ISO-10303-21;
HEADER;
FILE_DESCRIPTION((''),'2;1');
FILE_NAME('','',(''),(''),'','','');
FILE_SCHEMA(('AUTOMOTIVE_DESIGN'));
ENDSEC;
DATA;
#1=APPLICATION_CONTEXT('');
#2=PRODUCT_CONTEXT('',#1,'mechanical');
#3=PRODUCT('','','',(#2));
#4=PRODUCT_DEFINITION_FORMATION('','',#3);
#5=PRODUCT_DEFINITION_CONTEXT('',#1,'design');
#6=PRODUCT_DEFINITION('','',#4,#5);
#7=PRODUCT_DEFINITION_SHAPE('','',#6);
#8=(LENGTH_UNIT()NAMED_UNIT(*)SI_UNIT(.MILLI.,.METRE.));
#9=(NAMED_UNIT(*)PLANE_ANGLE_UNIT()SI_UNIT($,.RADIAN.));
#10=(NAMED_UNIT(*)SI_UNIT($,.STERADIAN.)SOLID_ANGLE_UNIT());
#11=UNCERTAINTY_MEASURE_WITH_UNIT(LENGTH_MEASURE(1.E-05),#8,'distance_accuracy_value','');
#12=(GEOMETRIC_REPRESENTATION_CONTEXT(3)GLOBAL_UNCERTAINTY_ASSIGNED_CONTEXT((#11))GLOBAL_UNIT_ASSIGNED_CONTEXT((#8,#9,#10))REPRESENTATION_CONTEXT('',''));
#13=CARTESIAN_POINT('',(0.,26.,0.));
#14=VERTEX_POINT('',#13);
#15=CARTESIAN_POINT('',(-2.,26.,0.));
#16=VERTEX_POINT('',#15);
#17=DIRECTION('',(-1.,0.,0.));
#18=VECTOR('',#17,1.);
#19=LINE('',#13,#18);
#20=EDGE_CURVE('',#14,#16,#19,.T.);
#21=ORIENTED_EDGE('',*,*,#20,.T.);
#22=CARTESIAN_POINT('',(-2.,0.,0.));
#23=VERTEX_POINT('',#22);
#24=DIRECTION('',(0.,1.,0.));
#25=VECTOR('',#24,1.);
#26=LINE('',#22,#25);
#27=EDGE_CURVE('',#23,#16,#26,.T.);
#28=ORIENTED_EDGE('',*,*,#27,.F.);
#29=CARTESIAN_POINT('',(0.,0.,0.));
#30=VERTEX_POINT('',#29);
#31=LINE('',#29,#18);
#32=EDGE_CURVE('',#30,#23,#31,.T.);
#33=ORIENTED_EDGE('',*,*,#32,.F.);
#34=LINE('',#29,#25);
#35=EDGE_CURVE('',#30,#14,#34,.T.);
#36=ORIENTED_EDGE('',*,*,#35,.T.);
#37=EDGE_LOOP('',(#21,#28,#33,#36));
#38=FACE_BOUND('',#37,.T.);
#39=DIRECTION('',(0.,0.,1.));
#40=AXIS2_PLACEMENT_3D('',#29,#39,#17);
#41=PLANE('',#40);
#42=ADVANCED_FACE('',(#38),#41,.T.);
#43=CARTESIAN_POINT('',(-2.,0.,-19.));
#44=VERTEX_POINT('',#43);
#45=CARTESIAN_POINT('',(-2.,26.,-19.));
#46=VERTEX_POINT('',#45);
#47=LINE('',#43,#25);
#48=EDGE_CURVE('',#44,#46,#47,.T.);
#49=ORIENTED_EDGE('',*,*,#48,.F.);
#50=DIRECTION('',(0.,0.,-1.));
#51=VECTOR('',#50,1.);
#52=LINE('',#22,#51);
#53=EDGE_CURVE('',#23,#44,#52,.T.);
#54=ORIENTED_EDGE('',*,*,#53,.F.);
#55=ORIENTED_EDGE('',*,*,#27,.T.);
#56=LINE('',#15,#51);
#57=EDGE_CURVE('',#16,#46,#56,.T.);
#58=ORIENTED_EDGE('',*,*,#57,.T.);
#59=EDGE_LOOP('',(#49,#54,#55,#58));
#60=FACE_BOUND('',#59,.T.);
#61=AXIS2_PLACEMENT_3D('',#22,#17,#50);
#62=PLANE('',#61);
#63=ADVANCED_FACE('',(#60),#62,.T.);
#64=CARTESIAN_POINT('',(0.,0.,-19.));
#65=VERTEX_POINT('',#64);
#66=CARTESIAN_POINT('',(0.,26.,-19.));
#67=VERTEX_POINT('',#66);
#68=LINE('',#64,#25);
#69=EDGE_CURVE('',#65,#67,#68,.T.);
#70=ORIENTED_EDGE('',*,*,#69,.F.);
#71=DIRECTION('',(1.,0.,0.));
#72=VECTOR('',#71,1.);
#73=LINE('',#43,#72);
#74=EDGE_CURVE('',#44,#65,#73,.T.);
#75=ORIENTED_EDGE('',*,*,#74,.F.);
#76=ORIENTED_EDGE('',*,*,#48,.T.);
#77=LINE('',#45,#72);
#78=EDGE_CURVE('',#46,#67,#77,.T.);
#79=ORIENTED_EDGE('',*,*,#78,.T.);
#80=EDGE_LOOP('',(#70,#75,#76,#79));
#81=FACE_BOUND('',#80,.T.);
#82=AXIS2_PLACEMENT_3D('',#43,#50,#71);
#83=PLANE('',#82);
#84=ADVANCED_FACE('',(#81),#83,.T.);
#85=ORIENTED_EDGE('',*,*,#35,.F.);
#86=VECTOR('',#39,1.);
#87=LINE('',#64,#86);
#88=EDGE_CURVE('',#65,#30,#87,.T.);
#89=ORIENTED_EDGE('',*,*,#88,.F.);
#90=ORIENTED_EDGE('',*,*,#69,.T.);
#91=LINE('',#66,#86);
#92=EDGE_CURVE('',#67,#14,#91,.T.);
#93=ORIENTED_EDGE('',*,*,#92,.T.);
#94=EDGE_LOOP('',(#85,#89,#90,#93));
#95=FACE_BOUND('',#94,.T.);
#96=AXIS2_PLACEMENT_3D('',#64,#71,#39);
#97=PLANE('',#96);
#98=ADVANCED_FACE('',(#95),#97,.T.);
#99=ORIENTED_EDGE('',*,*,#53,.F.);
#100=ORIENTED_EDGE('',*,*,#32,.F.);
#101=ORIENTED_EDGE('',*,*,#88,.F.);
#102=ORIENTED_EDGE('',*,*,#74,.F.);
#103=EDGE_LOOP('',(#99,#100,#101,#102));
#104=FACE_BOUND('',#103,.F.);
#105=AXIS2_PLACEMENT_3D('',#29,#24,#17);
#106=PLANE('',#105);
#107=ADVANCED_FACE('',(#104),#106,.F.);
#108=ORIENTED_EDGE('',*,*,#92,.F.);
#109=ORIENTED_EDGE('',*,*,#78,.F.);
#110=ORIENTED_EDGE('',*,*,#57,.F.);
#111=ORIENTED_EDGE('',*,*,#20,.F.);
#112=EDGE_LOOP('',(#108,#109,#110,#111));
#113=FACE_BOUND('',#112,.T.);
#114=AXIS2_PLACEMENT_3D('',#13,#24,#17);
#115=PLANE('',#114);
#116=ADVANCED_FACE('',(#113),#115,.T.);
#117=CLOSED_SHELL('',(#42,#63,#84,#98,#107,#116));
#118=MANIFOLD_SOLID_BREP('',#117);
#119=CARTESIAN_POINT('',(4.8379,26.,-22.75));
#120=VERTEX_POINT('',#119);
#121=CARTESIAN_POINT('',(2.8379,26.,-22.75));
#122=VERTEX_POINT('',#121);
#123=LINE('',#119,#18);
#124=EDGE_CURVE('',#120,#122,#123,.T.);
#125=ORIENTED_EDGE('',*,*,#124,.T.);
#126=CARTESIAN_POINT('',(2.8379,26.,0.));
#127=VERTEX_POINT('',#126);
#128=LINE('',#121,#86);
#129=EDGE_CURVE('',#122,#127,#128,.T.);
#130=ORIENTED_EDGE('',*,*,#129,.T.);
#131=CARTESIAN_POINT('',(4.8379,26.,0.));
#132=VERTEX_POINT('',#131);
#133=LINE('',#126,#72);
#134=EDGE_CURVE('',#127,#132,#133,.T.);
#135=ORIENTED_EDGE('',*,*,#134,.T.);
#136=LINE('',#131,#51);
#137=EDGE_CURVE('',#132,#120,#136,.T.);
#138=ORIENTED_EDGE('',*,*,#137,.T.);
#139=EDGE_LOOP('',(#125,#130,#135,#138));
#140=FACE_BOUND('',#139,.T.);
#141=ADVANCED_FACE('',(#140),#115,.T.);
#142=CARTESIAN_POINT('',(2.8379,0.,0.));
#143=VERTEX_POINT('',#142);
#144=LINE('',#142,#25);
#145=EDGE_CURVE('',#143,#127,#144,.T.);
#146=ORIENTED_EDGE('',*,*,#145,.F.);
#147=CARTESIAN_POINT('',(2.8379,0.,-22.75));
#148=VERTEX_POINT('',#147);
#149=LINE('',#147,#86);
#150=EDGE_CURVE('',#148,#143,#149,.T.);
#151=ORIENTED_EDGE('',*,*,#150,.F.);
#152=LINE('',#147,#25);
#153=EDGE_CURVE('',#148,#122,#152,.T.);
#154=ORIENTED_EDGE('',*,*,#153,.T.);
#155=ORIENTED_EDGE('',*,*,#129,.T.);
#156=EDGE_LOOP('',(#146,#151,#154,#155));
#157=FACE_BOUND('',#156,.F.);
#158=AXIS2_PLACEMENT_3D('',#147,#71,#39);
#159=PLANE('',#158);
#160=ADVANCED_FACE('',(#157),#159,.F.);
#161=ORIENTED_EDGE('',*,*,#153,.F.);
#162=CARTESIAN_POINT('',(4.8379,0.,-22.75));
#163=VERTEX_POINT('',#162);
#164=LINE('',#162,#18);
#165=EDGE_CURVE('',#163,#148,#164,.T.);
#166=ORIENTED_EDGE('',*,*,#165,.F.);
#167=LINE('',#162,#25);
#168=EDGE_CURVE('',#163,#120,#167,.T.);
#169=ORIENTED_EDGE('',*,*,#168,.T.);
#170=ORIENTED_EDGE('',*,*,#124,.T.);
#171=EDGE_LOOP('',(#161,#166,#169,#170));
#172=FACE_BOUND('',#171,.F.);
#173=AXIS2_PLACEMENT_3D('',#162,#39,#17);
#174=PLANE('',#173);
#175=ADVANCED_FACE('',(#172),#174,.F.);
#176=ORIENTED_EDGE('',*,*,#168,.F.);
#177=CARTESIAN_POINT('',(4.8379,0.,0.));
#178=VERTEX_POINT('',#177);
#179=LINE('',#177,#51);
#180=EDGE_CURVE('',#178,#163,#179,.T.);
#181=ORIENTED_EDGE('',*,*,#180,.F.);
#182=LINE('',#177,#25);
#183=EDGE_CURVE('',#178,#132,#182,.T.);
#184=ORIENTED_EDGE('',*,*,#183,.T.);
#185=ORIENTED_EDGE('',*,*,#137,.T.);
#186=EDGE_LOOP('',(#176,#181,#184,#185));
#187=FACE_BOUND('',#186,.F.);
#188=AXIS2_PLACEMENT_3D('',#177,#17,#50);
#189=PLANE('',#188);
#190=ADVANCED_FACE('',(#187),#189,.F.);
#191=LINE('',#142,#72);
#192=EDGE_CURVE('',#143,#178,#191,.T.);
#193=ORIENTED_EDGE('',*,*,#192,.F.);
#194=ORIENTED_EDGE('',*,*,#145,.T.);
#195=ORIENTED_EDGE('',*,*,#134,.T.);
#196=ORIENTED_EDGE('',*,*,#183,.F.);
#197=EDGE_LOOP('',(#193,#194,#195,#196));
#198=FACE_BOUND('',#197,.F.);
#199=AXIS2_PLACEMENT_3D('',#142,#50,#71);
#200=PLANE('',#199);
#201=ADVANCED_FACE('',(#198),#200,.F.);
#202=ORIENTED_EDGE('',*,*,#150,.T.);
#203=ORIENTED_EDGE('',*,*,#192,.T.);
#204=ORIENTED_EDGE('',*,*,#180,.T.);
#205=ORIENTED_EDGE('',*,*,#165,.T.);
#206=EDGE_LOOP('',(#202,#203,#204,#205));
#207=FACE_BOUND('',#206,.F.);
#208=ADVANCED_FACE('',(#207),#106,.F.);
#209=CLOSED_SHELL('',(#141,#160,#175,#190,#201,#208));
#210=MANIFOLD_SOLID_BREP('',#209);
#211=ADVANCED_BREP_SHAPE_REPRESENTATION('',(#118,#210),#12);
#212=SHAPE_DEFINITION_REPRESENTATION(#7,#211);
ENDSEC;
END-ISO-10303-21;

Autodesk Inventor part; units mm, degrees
ref_plane "YZ Plane" through (0, 0, 0) normal (1, 0, 0) x (0, 1, 0)
ref_plane "XZ Plane" through (0, 0, 0) normal (0, 1, 0) x (-1, 0, 0)
ref_plane "XY Plane" through (0, 0, 0) normal (0, 0, 1) x (1, 0, 0)
sketch "Sketch1" plane through (0, 0, 0) normal (0, 1, 0) x (-1, 0, 0)
  line L0 (0, 0) -> (2, 0)
  line L1 (2, 0) -> (2, -19)
  line L2 (2, -19) -> (0, -19)
  line L3 (0, -19) -> (0, 0)
  line L4 (-2.8379, 0) -> (-4.8379, 0)
  line L5 (-4.8379, 0) -> (-4.8379, -22.75)
  line L6 (-4.8379, -22.75) -> (-2.8379, -22.75)
  line L7 (-2.8379, -22.75) -> (-2.8379, 0)
  dimension "d0" = 2
  dimension "d1" = 19
  dimension "d2" = 2
  dimension "d3" = 22.75
extrude "Extrusion1" add sketch "Sketch1" along normal blind 26
properties part number "WallParts"
